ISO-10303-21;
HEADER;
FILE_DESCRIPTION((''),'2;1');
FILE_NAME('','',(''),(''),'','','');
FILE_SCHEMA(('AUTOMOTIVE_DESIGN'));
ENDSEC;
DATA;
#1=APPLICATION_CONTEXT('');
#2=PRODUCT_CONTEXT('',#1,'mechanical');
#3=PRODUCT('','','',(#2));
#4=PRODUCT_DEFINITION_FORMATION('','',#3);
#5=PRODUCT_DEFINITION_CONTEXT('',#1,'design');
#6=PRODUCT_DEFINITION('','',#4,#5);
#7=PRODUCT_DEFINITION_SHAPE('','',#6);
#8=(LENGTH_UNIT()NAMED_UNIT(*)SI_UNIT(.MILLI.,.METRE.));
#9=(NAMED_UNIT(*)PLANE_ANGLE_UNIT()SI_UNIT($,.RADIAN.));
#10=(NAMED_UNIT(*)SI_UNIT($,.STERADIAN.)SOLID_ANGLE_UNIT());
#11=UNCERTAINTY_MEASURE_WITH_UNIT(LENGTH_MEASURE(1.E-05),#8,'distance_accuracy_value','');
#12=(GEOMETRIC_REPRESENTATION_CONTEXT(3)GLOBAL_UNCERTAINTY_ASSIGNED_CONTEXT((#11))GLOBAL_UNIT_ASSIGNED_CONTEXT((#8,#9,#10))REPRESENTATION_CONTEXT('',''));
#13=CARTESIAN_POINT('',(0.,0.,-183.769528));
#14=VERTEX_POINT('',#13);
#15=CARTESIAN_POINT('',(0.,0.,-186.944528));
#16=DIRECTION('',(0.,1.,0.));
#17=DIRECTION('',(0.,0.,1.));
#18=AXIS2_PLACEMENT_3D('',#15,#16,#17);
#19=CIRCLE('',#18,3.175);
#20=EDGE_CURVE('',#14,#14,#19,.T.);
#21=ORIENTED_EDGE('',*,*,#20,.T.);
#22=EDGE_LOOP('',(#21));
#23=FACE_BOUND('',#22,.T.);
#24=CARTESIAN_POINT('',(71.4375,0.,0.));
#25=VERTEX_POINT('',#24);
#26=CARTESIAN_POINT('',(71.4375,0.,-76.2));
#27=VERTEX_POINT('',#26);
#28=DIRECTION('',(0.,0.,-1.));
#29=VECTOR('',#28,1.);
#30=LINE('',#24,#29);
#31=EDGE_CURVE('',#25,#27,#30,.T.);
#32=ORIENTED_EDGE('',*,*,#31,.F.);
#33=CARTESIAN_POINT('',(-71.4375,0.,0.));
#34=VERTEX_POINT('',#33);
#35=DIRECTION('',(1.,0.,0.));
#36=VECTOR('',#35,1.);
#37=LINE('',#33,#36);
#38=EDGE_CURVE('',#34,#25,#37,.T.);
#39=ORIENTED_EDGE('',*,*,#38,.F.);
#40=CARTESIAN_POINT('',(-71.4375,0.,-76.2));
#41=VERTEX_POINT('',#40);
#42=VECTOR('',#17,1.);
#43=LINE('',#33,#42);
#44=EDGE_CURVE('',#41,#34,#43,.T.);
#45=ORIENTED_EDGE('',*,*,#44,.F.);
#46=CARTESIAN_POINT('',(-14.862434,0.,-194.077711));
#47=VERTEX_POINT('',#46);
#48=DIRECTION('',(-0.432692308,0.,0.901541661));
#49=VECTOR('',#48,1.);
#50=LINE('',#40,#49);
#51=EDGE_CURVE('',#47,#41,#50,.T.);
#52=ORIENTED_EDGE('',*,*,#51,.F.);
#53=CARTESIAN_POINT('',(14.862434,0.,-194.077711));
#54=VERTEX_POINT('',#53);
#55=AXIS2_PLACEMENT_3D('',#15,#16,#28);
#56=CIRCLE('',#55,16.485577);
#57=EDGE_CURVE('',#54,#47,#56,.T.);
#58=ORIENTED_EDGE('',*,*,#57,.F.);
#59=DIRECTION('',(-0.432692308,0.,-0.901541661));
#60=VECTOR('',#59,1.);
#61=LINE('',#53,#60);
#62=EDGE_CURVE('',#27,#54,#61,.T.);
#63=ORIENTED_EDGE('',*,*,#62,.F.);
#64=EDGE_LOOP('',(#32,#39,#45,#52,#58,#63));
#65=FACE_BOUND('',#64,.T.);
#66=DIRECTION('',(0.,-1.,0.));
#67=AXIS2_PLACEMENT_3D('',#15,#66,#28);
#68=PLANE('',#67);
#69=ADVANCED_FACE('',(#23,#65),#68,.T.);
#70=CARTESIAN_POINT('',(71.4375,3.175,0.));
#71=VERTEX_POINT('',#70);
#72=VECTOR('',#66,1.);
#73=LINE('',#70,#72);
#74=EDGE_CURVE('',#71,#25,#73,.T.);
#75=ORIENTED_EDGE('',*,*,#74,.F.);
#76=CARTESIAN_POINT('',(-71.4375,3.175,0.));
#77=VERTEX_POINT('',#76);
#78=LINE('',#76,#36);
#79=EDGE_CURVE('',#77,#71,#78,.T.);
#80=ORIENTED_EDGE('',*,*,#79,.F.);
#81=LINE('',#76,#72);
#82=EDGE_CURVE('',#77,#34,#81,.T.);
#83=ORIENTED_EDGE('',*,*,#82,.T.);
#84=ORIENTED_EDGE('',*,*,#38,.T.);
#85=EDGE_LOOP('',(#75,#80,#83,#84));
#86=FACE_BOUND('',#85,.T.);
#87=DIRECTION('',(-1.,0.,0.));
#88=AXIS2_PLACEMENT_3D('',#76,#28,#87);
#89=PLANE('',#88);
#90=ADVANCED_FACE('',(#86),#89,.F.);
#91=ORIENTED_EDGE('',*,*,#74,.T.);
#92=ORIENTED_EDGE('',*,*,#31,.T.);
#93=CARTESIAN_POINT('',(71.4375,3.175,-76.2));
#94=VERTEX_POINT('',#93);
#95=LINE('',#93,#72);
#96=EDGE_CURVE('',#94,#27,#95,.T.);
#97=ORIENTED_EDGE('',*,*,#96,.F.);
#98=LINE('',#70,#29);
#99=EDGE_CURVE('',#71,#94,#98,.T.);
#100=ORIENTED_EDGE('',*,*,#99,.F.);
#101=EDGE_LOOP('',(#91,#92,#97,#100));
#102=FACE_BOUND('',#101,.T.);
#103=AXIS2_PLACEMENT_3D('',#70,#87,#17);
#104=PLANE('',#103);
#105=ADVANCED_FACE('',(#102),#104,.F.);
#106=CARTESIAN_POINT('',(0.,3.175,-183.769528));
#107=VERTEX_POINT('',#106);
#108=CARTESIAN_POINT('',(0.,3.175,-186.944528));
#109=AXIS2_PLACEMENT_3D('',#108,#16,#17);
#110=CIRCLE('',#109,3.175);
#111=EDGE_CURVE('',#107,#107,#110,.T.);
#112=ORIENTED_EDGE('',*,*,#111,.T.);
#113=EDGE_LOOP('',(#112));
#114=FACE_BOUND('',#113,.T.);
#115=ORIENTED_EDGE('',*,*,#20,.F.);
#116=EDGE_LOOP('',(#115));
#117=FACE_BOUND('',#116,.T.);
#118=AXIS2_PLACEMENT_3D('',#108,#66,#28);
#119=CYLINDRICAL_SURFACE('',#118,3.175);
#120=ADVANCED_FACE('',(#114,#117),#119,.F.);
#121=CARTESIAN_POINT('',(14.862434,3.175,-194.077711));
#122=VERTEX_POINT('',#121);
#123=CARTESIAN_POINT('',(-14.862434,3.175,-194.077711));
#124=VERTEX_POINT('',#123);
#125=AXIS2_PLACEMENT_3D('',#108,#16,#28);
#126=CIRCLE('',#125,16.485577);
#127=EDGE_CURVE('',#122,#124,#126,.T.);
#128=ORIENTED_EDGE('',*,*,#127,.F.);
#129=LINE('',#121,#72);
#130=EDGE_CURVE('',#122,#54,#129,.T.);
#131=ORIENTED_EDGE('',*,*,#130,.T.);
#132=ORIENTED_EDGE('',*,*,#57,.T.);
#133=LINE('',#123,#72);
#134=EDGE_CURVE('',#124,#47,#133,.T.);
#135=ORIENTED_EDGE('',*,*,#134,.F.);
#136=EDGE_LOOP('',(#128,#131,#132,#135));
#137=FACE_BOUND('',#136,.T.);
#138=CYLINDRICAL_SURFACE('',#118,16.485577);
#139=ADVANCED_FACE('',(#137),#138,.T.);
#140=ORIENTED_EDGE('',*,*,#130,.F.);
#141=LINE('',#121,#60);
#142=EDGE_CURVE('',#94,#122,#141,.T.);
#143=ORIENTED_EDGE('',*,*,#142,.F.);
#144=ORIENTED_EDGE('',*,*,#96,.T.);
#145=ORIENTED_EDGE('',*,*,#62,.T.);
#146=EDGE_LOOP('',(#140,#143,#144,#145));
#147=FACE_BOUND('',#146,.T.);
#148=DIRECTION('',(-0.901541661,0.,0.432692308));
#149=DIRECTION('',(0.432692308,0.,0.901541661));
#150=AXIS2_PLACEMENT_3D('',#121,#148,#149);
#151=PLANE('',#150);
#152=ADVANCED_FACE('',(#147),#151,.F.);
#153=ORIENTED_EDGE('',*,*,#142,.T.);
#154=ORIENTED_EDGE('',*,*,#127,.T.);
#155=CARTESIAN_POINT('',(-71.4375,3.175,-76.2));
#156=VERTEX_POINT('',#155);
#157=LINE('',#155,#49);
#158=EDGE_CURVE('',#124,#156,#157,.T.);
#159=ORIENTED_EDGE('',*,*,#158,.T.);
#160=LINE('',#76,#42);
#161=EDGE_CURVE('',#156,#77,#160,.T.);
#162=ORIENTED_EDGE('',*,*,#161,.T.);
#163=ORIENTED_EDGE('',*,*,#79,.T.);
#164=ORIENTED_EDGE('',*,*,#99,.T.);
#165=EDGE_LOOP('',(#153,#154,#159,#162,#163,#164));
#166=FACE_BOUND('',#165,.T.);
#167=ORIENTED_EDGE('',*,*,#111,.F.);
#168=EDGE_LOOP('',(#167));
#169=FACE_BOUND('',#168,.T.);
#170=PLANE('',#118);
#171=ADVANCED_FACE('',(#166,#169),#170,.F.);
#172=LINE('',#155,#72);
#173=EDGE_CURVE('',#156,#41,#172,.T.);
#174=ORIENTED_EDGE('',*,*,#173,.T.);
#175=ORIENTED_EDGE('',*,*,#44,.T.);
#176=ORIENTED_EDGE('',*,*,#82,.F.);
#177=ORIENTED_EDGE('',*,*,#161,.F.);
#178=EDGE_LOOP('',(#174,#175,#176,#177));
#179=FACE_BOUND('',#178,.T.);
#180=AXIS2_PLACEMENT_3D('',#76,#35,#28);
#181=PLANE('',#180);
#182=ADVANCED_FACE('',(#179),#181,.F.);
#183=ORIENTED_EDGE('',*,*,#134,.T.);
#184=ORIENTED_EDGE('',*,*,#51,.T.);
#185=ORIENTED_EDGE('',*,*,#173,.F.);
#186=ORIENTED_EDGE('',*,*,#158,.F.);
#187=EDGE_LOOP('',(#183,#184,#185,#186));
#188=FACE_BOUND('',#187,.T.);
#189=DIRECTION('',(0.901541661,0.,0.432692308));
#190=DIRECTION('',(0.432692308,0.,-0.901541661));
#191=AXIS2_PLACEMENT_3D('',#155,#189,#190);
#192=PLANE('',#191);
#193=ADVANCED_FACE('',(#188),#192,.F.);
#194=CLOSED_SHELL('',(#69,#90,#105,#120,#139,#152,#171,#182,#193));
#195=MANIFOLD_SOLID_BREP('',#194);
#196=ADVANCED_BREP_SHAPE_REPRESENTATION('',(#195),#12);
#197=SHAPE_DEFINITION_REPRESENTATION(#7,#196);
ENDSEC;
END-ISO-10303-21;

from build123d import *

# Parameters (mm, degrees)
SKETCH1_R           = 3.175
BOSS_EXTRUDE1_DEPTH = 3.175


with BuildPart() as part:
    # Sketch1 → Boss-Extrude1 (new body)
    with BuildSketch(Plane(origin=(0, 0, 0), x_dir=(1, 0, 0), z_dir=(0, 1, 0))):
        with BuildLine():
            Line((-71.4375, 0), (71.4375, 0))
            Line((71.4375, 0), (71.4375, 76.2))
            Line((71.4375, 76.2), (14.862434405, 194.077710585))
            ThreePointArc((14.862434405, 194.077710585), (0, 203.430105186), (-14.862434405, 194.077710585))
            Line((-14.862434405, 194.077710585), (-71.4375, 76.2))
            Line((-71.4375, 76.2), (-71.4375, 0))
        make_face()
        with Locations(Location((0, 186.944528263, 0), (0, 0, 270))):
            Circle(SKETCH1_R, mode=Mode.SUBTRACT)
    extrude(amount=BOSS_EXTRUDE1_DEPTH)


solid = part.part
